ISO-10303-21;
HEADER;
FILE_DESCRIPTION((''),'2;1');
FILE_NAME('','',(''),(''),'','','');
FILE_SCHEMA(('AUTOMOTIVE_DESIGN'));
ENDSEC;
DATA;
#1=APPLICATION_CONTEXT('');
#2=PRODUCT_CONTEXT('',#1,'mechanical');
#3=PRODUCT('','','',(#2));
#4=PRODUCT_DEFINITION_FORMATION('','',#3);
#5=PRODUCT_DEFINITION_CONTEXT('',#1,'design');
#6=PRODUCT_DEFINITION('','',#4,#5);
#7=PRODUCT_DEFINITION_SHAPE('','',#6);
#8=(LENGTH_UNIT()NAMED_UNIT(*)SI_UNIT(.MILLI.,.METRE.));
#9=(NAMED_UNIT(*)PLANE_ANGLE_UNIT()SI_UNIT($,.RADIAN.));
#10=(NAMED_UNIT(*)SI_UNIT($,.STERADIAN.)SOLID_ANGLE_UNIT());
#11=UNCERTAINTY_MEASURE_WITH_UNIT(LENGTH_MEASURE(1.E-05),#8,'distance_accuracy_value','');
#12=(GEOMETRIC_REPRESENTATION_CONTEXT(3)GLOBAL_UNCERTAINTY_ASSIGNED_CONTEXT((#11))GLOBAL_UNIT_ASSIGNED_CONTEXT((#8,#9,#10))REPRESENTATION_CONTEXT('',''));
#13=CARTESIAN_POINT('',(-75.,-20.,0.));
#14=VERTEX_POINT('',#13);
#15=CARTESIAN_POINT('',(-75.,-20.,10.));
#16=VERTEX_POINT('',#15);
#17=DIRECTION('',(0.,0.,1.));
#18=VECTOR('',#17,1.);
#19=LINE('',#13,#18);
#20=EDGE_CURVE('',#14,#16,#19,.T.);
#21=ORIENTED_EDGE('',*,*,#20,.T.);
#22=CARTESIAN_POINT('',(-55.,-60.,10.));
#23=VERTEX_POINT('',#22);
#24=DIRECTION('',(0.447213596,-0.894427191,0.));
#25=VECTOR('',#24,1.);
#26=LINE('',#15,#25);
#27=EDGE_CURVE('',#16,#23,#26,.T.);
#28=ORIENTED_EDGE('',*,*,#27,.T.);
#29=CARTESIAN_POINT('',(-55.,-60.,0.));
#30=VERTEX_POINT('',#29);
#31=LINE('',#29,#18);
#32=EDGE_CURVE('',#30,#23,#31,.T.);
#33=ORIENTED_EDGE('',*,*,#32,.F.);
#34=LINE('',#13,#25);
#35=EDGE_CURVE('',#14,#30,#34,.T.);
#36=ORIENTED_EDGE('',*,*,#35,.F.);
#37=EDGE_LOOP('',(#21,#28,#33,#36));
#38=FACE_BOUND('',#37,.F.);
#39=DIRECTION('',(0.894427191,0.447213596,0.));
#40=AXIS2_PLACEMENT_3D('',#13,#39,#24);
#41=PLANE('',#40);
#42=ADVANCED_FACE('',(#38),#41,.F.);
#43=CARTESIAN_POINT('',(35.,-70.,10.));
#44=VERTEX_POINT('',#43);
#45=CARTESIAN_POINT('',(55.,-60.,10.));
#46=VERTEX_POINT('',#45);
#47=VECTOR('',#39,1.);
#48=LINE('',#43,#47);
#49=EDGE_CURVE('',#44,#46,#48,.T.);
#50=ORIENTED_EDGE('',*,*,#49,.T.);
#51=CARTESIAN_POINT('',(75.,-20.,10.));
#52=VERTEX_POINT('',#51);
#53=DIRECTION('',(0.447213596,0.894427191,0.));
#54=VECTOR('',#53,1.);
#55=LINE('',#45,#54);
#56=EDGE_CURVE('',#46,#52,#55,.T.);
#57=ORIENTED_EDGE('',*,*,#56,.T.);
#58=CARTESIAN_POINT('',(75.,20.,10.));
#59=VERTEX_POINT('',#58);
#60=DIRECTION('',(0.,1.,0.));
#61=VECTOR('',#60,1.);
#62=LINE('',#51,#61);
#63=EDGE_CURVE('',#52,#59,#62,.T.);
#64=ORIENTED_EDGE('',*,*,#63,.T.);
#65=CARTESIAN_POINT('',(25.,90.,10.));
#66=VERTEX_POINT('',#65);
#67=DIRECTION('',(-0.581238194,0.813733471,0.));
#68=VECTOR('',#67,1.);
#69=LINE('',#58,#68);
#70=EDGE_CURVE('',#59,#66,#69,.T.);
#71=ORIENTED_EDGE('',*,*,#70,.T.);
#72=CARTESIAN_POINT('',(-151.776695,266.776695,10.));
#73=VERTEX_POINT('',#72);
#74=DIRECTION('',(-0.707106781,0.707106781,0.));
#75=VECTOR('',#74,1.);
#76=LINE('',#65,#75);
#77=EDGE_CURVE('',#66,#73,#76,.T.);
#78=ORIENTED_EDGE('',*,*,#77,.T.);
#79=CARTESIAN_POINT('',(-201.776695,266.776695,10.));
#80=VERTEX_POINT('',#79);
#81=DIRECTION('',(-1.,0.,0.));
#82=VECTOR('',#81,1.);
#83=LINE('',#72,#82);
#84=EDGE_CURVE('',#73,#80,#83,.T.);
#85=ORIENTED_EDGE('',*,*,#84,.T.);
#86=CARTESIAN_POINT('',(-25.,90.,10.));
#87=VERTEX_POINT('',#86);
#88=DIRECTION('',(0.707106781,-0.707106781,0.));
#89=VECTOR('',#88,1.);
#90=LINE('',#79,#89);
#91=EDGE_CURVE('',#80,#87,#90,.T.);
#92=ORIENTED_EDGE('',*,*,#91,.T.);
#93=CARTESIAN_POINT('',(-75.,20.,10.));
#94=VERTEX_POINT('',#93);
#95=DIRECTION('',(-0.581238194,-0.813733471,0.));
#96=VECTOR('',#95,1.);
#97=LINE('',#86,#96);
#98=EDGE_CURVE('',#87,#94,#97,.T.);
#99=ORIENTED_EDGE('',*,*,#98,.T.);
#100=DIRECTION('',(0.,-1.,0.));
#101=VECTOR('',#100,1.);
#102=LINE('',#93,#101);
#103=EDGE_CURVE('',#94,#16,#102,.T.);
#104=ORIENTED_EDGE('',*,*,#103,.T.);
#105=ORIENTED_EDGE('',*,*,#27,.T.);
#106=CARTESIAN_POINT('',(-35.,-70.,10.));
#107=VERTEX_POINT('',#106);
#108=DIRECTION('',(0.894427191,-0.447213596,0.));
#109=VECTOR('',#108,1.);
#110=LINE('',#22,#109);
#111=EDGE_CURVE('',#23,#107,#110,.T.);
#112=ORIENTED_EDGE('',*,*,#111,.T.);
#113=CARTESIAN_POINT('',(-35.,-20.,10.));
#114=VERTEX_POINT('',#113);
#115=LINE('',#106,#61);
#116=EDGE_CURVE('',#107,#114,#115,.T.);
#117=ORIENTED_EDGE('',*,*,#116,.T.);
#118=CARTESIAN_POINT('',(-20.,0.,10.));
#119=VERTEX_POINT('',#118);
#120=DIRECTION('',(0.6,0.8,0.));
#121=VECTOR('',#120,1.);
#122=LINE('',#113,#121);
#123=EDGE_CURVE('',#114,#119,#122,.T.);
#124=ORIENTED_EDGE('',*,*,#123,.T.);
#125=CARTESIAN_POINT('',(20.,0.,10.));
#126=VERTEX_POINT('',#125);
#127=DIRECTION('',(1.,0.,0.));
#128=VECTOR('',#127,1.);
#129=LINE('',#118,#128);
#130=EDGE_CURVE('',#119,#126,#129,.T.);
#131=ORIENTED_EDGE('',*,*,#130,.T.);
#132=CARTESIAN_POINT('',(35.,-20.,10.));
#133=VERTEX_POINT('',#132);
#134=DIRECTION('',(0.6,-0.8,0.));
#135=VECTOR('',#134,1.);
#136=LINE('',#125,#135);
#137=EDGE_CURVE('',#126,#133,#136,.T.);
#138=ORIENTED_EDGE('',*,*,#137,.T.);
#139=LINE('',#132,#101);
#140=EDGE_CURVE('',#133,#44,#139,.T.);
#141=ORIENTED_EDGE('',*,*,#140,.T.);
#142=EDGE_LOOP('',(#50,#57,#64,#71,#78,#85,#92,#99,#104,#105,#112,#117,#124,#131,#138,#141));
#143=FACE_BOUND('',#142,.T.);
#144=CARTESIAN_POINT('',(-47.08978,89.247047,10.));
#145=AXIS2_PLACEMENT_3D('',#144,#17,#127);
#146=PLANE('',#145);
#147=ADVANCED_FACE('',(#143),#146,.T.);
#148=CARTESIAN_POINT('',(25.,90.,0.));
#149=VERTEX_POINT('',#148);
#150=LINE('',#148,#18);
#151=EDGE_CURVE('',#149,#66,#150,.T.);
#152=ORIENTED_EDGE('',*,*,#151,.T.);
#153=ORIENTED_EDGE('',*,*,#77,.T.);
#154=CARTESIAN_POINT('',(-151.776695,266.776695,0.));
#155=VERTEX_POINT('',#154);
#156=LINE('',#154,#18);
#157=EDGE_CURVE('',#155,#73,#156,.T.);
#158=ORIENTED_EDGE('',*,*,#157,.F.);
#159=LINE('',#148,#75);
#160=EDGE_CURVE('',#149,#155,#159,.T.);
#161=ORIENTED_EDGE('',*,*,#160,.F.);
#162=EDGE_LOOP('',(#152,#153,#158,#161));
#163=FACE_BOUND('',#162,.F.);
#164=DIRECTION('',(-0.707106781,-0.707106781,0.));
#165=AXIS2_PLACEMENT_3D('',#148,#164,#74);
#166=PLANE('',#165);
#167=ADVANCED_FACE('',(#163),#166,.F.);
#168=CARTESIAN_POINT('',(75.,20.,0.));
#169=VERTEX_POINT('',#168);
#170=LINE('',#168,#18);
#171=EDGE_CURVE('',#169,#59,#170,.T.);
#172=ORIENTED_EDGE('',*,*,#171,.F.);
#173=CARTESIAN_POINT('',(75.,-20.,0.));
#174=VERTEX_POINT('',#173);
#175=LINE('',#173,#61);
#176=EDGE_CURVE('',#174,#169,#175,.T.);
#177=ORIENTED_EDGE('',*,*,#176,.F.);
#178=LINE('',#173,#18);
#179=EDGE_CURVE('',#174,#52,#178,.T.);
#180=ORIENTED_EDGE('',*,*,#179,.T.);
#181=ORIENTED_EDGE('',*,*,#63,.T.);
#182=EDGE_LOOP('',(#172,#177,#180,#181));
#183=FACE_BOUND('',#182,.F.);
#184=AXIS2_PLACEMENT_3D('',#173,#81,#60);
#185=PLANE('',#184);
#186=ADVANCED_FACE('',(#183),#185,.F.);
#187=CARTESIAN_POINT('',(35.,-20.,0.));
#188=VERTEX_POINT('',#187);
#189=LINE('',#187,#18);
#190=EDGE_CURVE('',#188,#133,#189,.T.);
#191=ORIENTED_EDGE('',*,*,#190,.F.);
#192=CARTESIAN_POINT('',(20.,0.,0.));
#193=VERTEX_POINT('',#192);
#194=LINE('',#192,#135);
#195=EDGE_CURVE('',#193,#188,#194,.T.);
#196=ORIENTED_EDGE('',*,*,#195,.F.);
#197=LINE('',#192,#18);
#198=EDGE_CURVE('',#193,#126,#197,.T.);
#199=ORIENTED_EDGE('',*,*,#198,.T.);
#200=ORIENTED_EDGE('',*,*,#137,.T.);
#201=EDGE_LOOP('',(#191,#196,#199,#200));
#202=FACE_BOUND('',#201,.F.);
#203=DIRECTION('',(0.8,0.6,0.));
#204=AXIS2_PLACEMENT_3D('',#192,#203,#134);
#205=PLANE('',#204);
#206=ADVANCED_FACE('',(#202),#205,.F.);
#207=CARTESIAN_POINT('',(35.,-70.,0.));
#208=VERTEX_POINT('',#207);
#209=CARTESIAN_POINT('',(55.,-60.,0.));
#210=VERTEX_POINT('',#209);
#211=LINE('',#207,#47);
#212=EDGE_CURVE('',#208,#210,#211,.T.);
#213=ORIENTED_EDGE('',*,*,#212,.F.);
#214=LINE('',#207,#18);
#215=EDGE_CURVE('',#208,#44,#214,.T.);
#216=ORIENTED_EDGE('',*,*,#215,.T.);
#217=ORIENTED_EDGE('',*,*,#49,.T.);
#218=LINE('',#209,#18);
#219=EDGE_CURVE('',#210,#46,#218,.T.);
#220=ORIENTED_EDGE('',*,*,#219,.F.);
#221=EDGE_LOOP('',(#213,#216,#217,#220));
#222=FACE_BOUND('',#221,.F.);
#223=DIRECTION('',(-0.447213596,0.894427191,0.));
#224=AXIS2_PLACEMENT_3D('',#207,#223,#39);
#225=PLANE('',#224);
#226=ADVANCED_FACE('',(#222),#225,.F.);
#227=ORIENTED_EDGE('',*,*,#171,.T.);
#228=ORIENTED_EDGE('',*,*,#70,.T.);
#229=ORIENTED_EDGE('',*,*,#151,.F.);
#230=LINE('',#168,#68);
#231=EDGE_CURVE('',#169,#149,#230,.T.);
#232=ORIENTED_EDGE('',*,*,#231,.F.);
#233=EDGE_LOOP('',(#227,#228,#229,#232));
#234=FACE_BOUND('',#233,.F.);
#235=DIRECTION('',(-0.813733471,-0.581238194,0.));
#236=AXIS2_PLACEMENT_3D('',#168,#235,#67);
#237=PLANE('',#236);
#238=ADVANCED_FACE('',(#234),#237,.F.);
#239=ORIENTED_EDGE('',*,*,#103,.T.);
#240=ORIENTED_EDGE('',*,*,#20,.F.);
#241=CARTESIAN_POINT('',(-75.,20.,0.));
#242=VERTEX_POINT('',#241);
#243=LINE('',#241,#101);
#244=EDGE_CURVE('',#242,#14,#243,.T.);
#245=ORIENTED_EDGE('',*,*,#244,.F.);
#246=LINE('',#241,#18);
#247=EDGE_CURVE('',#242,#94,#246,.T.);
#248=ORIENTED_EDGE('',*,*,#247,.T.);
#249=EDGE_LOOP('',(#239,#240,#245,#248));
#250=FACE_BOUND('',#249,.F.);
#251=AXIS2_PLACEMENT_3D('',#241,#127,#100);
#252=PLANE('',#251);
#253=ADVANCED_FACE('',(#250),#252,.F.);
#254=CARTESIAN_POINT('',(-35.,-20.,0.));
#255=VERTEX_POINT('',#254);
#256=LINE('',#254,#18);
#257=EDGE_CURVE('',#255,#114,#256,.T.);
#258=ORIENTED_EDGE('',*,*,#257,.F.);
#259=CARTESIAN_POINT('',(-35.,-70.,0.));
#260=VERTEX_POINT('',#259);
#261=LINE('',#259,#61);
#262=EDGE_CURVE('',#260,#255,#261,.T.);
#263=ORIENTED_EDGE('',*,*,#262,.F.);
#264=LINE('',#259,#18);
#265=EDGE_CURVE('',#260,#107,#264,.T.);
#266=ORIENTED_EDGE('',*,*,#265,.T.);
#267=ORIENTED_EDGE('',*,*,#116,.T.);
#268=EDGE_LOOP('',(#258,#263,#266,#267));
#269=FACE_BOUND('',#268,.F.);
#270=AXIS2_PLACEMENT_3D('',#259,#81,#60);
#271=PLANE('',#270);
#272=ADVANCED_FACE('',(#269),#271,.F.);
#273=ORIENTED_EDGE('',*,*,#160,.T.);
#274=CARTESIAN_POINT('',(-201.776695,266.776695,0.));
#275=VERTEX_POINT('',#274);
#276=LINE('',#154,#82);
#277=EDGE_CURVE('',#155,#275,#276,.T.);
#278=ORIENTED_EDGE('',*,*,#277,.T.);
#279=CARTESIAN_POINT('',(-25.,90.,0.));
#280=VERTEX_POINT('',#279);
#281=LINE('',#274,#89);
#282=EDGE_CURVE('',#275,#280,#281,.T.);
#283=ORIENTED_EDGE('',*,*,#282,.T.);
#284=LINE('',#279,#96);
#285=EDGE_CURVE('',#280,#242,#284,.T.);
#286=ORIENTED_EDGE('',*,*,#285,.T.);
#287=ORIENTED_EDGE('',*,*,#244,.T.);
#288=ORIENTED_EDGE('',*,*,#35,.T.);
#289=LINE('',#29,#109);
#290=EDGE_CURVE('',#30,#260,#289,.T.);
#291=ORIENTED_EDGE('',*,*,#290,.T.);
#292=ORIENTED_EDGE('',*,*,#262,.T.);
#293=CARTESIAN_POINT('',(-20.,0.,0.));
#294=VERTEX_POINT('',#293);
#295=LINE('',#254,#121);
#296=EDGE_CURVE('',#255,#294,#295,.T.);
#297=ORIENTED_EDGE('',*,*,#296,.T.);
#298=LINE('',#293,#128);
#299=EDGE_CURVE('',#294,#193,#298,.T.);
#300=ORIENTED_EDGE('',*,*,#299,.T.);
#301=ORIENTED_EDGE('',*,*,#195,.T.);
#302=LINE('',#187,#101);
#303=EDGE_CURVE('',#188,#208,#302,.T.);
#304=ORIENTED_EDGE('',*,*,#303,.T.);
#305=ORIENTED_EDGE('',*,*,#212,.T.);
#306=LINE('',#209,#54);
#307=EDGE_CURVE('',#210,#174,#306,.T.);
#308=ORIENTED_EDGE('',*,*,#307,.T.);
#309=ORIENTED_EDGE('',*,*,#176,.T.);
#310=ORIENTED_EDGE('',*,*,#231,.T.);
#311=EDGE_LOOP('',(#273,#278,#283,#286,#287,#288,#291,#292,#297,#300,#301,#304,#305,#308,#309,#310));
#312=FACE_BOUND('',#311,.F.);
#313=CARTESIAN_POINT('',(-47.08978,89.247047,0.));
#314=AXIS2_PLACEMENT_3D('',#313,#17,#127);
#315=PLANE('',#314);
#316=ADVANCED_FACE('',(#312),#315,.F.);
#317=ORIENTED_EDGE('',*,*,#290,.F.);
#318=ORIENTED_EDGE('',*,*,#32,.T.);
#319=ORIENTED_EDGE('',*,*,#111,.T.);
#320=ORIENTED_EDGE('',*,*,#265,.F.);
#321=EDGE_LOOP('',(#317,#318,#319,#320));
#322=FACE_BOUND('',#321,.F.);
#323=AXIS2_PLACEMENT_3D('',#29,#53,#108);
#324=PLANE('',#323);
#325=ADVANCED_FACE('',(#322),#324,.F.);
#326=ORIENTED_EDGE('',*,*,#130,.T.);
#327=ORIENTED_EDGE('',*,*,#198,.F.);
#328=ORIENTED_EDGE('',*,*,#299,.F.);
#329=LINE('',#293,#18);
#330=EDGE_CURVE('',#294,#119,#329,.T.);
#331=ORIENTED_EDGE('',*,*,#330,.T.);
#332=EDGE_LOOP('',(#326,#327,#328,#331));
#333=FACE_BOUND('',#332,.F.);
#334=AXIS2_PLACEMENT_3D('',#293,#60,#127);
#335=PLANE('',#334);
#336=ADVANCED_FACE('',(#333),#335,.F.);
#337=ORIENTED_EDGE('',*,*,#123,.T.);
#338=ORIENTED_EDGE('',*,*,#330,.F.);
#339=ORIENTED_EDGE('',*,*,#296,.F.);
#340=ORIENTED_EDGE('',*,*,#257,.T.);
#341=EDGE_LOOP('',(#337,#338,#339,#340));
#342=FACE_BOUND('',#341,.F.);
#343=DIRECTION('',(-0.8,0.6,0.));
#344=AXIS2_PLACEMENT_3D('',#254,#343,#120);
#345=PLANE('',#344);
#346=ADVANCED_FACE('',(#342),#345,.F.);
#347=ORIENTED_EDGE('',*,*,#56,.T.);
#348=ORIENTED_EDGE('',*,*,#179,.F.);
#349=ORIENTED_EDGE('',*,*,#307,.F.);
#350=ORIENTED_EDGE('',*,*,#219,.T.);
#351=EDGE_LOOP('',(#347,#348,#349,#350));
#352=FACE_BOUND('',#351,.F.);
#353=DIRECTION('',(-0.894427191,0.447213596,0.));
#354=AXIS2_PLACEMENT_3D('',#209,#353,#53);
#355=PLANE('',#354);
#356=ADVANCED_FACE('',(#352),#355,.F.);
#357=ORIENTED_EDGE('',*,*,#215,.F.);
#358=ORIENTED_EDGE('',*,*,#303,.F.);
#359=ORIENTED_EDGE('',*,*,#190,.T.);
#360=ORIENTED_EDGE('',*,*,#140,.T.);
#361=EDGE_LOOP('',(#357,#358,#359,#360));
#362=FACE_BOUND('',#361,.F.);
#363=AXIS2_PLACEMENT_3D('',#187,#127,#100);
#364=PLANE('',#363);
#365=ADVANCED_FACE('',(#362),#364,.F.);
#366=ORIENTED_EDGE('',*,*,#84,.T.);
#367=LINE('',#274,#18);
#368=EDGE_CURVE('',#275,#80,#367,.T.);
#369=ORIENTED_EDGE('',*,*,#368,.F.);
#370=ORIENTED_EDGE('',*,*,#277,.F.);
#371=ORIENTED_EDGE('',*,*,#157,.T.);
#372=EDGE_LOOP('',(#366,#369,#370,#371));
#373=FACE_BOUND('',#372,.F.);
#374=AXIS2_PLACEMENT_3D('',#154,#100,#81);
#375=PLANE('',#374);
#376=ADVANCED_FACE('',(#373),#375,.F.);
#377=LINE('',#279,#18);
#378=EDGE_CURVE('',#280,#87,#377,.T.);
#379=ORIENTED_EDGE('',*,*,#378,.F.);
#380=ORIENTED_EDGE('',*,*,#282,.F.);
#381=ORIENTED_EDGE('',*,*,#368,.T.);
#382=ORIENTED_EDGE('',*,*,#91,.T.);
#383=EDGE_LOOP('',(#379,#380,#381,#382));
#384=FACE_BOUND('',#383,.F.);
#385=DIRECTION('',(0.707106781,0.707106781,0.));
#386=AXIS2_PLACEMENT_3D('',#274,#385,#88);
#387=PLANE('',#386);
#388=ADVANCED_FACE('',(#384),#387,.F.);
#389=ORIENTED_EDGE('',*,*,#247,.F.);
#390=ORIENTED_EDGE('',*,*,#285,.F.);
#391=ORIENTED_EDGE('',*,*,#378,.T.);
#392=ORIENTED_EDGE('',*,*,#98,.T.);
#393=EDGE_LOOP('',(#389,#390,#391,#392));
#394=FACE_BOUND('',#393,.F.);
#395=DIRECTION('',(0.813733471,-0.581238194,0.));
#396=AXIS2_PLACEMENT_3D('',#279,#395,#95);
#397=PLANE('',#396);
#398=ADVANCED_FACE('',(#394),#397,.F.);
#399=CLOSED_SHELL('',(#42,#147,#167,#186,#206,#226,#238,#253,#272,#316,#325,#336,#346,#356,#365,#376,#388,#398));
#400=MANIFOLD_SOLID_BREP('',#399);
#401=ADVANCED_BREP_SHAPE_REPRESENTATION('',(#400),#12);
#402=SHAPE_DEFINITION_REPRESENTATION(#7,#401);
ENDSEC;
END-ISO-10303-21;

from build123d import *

# Parameters (mm, degrees)
F1_DEPTH = 10


with BuildPart() as f1:
    # F0 (on Top) → F1 (new body)
    with BuildSketch(Plane.XY):
        Polygon((-35, -20), (-20, 0), (20, 0), (35, -20), (35, -70), (55, -60), (75, -20), (75, 20), (25, 90), (-151.776695, 266.776695), (-201.776695, 266.776695), (-25, 90), (-75, 20), (-75, -20), (-55, -60), (-35, -70), align=None)
    extrude(amount=F1_DEPTH)


solid = f1.part
